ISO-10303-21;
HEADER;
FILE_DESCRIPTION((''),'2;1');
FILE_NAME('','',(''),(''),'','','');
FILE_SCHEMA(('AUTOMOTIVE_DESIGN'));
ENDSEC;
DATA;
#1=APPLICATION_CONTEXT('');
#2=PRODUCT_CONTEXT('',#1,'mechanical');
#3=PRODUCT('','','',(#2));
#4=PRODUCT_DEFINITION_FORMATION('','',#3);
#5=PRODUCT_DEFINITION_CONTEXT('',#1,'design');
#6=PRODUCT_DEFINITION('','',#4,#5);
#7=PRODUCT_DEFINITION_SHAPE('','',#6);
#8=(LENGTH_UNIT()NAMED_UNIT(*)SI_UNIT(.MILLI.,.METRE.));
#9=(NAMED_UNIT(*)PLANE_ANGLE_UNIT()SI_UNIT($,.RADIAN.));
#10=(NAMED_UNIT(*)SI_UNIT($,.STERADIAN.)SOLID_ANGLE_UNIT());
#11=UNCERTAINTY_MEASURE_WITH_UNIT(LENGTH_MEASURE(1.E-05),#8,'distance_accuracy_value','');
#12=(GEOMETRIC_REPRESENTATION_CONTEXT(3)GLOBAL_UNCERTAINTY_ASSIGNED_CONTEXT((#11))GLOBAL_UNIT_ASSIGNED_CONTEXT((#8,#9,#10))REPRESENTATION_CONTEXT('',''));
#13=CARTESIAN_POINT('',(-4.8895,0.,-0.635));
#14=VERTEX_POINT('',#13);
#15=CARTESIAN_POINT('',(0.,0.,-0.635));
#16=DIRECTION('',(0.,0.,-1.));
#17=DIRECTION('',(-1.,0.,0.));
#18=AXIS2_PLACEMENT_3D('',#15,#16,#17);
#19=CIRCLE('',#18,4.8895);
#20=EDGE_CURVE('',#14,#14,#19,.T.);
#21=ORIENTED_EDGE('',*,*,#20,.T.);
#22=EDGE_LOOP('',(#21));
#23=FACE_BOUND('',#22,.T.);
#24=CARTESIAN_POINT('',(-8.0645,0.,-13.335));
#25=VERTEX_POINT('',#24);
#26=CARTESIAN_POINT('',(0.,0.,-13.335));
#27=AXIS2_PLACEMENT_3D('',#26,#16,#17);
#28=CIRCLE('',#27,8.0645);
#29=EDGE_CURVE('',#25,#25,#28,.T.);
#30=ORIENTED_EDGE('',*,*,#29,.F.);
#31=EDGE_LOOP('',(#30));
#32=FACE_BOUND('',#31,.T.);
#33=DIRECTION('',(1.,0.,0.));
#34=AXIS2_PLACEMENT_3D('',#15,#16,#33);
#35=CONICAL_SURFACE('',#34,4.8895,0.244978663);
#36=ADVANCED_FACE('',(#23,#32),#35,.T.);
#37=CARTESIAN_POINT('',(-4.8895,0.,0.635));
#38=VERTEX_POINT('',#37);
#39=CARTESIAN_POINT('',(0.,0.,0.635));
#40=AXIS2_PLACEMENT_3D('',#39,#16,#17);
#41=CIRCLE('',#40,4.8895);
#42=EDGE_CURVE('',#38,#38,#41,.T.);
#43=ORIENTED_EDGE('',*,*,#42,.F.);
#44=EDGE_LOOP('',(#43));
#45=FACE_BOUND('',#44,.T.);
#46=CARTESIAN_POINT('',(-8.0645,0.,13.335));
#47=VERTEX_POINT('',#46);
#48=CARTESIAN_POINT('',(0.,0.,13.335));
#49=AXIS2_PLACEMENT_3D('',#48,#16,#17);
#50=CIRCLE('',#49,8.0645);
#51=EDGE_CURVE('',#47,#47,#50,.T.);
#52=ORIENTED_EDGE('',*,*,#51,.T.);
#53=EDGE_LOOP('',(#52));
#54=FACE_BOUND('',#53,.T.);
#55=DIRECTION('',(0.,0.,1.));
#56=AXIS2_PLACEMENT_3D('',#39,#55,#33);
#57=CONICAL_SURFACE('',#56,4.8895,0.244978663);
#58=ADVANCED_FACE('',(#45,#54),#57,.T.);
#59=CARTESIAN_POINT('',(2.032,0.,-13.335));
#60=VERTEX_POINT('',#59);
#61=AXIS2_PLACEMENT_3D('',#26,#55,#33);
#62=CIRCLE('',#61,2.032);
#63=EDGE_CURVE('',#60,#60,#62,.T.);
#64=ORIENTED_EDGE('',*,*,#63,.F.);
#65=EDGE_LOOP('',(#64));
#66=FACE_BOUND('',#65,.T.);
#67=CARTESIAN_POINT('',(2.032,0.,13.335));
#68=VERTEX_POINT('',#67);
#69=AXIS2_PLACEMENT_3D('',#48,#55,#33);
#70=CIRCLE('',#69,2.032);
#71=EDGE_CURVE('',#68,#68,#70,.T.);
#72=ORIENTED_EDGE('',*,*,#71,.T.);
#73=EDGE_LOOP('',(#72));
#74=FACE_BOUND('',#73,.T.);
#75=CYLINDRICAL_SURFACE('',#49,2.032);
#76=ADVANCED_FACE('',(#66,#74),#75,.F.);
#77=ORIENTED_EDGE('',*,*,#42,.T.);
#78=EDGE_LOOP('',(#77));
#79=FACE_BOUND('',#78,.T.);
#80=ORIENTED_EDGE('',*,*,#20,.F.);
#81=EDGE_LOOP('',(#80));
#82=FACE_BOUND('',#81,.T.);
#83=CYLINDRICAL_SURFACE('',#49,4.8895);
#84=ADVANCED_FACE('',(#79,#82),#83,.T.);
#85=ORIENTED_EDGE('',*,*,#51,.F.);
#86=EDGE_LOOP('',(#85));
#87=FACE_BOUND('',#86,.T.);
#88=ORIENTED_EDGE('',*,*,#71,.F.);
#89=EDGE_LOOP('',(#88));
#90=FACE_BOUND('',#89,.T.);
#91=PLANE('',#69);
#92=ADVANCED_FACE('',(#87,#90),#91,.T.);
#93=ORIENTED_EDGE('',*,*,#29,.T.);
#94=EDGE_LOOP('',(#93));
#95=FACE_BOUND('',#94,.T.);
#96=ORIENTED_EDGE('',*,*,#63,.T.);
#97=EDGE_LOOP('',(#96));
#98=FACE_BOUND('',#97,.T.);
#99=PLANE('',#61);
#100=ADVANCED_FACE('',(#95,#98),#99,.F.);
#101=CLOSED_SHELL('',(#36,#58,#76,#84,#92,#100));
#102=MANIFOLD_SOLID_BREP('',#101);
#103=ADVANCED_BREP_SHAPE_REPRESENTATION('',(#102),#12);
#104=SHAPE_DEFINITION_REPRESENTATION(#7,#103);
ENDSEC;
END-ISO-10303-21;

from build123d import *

# Parameters (mm, degrees)
ESQUISSE1_R        = 4.8895
ESQUISSE1_R_2      = 2.032
BOSS_EXTRU_1_DEPTH = 13.335


with BuildPart() as part:
    # Esquisse1 → Boss.-Extru.1 (new, symmetric)
    with BuildSketch(Plane.XY):
        Circle(ESQUISSE1_R)
        Circle(ESQUISSE1_R_2, mode=Mode.SUBTRACT)
    extrude(amount=BOSS_EXTRU_1_DEPTH, both=True)

    # Esquisse2 → Révolution1 (revolve)
    with BuildSketch(Plane(origin=(0, 0, 0), x_dir=(0, 0, -1), z_dir=(1, 0, 0)), mode=Mode.PRIVATE) as r_volution1_sk:
        Polygon((-0.635, 4.8895), (-13.335, 8.0645), (-13.335, 4.8895), align=None)
    r_volution1 = revolve(r_volution1_sk.sketch.rotate(Axis((0, 0, 0), (0, 0, 1)), 90), axis=Axis((0, 0, 0), (0, 0, 1)))

    # Symétrie1: Révolution1 across plane
    add(r_volution1.mirror(Plane.XY))


solid = part.part
